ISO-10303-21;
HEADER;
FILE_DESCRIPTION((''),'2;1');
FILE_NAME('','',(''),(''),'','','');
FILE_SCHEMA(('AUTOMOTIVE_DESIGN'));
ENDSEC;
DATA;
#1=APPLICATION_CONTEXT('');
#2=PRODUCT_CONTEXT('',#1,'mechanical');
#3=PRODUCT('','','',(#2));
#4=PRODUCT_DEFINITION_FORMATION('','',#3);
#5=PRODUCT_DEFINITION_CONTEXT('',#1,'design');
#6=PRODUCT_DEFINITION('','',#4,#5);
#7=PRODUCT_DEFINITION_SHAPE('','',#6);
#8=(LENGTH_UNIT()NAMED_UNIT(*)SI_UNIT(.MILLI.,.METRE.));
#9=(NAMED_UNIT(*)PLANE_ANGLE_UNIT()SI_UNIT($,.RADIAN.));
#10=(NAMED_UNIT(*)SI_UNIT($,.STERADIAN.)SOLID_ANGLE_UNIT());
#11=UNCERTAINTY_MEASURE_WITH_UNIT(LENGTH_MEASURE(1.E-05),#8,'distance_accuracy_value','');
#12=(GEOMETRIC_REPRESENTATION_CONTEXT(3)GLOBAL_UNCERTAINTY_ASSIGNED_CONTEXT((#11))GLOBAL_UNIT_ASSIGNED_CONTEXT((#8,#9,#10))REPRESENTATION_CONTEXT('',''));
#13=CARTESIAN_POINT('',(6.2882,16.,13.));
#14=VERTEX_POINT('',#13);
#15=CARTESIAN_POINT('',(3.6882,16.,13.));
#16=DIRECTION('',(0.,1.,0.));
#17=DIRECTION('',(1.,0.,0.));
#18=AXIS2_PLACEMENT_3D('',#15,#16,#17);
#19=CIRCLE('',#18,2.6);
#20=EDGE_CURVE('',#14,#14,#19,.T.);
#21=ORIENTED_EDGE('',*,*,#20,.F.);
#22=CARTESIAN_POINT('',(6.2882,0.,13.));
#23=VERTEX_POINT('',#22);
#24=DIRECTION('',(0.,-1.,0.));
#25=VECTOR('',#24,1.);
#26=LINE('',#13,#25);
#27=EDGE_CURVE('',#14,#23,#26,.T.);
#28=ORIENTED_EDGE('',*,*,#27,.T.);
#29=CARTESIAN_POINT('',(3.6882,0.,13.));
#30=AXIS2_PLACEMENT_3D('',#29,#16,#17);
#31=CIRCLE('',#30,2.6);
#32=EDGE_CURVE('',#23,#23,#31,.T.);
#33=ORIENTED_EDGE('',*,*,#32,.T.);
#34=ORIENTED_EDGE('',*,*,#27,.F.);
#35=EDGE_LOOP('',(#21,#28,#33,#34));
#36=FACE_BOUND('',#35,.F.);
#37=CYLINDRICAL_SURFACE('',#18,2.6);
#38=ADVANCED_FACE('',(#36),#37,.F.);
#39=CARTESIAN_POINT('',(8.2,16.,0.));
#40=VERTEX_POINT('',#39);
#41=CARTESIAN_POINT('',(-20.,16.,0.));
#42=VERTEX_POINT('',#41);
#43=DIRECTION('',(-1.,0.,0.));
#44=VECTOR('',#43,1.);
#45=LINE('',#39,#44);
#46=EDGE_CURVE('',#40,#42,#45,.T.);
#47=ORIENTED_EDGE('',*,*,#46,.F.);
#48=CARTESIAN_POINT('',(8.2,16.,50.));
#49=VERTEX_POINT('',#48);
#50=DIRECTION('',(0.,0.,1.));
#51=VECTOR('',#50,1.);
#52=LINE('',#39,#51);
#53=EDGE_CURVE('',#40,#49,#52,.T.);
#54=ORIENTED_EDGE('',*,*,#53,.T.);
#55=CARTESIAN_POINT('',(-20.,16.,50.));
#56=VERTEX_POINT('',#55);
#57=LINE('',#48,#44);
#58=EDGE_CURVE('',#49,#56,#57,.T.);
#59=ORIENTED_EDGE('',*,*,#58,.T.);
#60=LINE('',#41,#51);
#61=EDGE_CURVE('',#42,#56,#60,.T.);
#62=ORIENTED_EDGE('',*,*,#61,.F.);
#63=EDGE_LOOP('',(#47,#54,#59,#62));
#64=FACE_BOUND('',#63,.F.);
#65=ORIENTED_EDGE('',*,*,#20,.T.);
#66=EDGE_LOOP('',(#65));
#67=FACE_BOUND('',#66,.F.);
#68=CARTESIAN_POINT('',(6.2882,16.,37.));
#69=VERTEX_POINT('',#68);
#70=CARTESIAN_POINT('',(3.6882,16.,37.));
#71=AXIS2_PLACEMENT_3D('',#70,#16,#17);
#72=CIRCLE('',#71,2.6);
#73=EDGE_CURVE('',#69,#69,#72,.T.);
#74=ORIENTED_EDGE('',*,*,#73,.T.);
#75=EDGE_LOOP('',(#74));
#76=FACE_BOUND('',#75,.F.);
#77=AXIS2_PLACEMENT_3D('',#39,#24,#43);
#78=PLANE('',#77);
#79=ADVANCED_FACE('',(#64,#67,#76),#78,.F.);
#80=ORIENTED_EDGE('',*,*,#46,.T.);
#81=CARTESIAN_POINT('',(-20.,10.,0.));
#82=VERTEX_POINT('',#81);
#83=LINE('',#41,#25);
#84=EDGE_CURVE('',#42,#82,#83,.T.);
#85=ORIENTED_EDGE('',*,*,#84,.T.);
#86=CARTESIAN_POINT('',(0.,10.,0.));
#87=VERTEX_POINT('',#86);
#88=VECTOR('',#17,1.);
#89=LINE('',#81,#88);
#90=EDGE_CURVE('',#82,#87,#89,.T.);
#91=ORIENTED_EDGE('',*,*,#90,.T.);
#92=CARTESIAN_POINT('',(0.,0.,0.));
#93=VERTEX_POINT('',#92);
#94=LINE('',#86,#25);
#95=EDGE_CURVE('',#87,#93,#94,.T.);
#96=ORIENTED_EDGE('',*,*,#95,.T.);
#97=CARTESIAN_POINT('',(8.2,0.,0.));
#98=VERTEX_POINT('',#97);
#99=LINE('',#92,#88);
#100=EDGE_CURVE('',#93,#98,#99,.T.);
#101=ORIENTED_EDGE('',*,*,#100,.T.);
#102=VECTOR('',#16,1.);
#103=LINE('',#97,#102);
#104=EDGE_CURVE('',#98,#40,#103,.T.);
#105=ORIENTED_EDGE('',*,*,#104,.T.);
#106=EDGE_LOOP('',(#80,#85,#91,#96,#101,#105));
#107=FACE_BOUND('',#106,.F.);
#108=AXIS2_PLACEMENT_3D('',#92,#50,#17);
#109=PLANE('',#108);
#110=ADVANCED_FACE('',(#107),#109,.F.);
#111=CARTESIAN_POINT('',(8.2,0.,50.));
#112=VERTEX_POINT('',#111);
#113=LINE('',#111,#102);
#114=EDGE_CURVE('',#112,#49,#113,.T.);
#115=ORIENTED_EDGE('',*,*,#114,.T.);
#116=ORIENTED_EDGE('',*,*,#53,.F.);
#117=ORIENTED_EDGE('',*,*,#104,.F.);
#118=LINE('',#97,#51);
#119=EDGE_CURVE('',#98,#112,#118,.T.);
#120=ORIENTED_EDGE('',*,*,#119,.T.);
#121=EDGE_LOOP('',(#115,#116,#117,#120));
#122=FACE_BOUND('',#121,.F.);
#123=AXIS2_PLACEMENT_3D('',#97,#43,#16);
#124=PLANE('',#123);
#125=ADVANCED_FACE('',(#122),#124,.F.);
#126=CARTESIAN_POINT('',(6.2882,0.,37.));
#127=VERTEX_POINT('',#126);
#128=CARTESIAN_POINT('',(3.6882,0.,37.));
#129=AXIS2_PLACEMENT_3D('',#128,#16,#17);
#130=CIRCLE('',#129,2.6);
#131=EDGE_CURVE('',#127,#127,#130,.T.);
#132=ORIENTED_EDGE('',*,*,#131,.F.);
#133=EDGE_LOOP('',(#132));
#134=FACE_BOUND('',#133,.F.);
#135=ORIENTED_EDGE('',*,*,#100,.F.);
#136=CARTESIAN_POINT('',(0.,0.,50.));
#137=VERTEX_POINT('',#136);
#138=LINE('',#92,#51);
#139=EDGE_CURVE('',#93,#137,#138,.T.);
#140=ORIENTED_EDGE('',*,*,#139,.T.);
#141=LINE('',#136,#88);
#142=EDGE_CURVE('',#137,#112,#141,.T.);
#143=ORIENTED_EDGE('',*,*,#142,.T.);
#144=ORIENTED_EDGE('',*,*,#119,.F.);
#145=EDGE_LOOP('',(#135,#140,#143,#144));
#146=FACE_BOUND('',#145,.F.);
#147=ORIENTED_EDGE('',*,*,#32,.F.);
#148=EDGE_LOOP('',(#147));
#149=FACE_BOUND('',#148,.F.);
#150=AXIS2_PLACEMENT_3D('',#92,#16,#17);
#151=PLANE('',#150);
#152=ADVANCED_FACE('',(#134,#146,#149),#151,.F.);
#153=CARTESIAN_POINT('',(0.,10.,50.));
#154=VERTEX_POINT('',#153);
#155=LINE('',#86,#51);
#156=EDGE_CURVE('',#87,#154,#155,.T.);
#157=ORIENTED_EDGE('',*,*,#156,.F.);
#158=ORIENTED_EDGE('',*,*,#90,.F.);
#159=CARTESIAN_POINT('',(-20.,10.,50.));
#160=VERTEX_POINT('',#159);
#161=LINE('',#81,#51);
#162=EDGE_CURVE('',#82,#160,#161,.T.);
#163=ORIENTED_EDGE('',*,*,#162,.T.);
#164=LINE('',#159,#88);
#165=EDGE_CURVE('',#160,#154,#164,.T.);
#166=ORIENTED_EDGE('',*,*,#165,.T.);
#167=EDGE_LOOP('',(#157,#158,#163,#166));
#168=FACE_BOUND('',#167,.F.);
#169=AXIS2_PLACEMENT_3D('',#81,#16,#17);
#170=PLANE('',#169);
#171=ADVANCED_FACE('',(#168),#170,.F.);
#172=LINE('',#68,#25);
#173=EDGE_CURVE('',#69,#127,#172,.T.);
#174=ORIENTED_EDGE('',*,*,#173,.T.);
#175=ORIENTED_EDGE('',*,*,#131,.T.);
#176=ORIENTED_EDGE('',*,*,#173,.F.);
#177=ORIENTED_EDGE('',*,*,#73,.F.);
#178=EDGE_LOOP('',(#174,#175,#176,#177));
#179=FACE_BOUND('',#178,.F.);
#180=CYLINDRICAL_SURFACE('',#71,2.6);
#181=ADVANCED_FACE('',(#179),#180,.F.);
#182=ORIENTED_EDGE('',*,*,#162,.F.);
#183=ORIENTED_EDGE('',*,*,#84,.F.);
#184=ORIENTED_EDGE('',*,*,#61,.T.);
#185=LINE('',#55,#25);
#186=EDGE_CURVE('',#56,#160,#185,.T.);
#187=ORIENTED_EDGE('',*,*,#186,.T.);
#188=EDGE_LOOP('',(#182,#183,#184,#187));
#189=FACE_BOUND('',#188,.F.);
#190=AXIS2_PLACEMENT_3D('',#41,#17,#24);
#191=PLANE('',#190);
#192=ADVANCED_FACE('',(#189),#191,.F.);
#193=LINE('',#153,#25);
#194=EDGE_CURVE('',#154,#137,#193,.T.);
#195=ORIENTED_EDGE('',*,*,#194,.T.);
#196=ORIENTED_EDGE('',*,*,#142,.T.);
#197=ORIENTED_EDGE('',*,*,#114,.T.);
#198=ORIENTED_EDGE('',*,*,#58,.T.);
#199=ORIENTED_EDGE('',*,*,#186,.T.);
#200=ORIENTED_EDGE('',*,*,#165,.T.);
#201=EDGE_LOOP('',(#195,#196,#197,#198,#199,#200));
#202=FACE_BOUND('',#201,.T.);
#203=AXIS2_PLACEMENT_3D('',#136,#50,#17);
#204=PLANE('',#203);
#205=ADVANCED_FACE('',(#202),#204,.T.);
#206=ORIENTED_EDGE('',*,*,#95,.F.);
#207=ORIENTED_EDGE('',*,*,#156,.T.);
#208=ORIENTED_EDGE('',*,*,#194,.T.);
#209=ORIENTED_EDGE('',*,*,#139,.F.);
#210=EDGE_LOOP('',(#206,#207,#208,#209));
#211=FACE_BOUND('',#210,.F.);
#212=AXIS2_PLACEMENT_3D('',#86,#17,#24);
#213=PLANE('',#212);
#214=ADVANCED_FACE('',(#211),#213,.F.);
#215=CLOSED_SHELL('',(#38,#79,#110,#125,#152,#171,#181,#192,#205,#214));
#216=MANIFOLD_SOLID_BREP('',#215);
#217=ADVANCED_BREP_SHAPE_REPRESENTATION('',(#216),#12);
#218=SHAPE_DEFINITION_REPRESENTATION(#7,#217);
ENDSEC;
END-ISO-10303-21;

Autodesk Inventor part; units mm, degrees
ref_plane "YZ Plane" through (0, 0, 0) normal (1, 0, 0) x (0, 1, 0)
ref_plane "XZ Plane" through (0, 0, 0) normal (0, 1, 0) x (-1, 0, 0)
ref_plane "XY Plane" through (0, 0, 0) normal (0, 0, 1) x (1, 0, 0)
sketch "Эскиз1" plane through (0, 0, 0) normal (0, 0, 1) x (1, 0, 0)
  line L0 (0, 0) -> (-20, 0) construction
  line L1 (-20, 0) -> (-20, 10) construction
  line L2 (-20, 10) -> (0, 10) construction
  line L3 (0, 10) -> (0, 0) construction
  line L4 (-20, 0) -> (8.2, 0) construction
  line L5 (8.2, 0) -> (8.2, 16)
  line L6 (8.2, 16) -> (-20, 16)
  line L7 (-20, 16) -> (-20, 0) construction
  line L8 (-20, 16) -> (-20, 10)
  line L9 (-20, 10) -> (0, 10)
  line L10 (0, 10) -> (0, 0)
  line L11 (0, 0) -> (8.2, 0)
  point P0 (-10, 10)
  dimension "d0" = 20
  dimension "d1" = 10
  dimension "d2" = 6
  dimension "d3" = 8.2
extrude "Выдавливание1" add sketch "Эскиз1" along normal blind 50
sketch "Эскиз3" plane through (-20, 16, 0) normal (0, 1, 0) x (1, 0, 0)
  circle A0 centre (23.6882, -13) radius 6 construction
  circle A1 centre (23.6882, -13) radius 2.6
  line L0 (28.2, 0) -> (0, 0) projected
  circle A2 centre (23.6882, -37) radius 2.6
  line L1 (28.2, -50) -> (0, -50) projected
  circle A3 centre (23.6882, -13) radius 9 construction
  circle A4 centre (23.6882, -37) radius 9 construction
  circle A5 centre (23.6882, 52.7109) radius 2.5 construction
  circle A6 centre (23.6882, 52.7109) radius 6
  line L2 (17.6882, 52.7109) -> (17.6882, -70.8519) construction
  line L3 (23.6882, -13) -> (23.6882, -47.2953) construction
  line L4 (20, 0) -> (20, -50) projected
  dimension "d26" = 12
  dimension "d16" = 12
  dimension "d17" = 5.2
  dimension "d20" = 5.2
  dimension "d22" = 24
  dimension "d23" = 18
  dimension "d24" = 18
  dimension "d25" = 13
extrude "Выдавливание4" cut sketch "Эскиз3" against normal blind 20 contours A1 | A2
equation "\"Радиус_гибки\" = Толщина"
equation "\"Ширина_просечки\" = Толщина"
equation "\"Глубина_просечки\" = 0.5 * Толщина"
equation "\"Размер_просечки\" = 4 * Толщина"
equation "\"Мин_остаток\" = 2 * Толщина"
equation "\"Радиус_перехода\" = Радиус_гибки"
equation "\"Радиус_Якоби\" = Радиус_гибки"
equation "\"Размер_зазора\" = Толщина"
equation "\"Толщина\" = 3.048"
properties part number "креп_центр_м2" material "Полипропилен"
